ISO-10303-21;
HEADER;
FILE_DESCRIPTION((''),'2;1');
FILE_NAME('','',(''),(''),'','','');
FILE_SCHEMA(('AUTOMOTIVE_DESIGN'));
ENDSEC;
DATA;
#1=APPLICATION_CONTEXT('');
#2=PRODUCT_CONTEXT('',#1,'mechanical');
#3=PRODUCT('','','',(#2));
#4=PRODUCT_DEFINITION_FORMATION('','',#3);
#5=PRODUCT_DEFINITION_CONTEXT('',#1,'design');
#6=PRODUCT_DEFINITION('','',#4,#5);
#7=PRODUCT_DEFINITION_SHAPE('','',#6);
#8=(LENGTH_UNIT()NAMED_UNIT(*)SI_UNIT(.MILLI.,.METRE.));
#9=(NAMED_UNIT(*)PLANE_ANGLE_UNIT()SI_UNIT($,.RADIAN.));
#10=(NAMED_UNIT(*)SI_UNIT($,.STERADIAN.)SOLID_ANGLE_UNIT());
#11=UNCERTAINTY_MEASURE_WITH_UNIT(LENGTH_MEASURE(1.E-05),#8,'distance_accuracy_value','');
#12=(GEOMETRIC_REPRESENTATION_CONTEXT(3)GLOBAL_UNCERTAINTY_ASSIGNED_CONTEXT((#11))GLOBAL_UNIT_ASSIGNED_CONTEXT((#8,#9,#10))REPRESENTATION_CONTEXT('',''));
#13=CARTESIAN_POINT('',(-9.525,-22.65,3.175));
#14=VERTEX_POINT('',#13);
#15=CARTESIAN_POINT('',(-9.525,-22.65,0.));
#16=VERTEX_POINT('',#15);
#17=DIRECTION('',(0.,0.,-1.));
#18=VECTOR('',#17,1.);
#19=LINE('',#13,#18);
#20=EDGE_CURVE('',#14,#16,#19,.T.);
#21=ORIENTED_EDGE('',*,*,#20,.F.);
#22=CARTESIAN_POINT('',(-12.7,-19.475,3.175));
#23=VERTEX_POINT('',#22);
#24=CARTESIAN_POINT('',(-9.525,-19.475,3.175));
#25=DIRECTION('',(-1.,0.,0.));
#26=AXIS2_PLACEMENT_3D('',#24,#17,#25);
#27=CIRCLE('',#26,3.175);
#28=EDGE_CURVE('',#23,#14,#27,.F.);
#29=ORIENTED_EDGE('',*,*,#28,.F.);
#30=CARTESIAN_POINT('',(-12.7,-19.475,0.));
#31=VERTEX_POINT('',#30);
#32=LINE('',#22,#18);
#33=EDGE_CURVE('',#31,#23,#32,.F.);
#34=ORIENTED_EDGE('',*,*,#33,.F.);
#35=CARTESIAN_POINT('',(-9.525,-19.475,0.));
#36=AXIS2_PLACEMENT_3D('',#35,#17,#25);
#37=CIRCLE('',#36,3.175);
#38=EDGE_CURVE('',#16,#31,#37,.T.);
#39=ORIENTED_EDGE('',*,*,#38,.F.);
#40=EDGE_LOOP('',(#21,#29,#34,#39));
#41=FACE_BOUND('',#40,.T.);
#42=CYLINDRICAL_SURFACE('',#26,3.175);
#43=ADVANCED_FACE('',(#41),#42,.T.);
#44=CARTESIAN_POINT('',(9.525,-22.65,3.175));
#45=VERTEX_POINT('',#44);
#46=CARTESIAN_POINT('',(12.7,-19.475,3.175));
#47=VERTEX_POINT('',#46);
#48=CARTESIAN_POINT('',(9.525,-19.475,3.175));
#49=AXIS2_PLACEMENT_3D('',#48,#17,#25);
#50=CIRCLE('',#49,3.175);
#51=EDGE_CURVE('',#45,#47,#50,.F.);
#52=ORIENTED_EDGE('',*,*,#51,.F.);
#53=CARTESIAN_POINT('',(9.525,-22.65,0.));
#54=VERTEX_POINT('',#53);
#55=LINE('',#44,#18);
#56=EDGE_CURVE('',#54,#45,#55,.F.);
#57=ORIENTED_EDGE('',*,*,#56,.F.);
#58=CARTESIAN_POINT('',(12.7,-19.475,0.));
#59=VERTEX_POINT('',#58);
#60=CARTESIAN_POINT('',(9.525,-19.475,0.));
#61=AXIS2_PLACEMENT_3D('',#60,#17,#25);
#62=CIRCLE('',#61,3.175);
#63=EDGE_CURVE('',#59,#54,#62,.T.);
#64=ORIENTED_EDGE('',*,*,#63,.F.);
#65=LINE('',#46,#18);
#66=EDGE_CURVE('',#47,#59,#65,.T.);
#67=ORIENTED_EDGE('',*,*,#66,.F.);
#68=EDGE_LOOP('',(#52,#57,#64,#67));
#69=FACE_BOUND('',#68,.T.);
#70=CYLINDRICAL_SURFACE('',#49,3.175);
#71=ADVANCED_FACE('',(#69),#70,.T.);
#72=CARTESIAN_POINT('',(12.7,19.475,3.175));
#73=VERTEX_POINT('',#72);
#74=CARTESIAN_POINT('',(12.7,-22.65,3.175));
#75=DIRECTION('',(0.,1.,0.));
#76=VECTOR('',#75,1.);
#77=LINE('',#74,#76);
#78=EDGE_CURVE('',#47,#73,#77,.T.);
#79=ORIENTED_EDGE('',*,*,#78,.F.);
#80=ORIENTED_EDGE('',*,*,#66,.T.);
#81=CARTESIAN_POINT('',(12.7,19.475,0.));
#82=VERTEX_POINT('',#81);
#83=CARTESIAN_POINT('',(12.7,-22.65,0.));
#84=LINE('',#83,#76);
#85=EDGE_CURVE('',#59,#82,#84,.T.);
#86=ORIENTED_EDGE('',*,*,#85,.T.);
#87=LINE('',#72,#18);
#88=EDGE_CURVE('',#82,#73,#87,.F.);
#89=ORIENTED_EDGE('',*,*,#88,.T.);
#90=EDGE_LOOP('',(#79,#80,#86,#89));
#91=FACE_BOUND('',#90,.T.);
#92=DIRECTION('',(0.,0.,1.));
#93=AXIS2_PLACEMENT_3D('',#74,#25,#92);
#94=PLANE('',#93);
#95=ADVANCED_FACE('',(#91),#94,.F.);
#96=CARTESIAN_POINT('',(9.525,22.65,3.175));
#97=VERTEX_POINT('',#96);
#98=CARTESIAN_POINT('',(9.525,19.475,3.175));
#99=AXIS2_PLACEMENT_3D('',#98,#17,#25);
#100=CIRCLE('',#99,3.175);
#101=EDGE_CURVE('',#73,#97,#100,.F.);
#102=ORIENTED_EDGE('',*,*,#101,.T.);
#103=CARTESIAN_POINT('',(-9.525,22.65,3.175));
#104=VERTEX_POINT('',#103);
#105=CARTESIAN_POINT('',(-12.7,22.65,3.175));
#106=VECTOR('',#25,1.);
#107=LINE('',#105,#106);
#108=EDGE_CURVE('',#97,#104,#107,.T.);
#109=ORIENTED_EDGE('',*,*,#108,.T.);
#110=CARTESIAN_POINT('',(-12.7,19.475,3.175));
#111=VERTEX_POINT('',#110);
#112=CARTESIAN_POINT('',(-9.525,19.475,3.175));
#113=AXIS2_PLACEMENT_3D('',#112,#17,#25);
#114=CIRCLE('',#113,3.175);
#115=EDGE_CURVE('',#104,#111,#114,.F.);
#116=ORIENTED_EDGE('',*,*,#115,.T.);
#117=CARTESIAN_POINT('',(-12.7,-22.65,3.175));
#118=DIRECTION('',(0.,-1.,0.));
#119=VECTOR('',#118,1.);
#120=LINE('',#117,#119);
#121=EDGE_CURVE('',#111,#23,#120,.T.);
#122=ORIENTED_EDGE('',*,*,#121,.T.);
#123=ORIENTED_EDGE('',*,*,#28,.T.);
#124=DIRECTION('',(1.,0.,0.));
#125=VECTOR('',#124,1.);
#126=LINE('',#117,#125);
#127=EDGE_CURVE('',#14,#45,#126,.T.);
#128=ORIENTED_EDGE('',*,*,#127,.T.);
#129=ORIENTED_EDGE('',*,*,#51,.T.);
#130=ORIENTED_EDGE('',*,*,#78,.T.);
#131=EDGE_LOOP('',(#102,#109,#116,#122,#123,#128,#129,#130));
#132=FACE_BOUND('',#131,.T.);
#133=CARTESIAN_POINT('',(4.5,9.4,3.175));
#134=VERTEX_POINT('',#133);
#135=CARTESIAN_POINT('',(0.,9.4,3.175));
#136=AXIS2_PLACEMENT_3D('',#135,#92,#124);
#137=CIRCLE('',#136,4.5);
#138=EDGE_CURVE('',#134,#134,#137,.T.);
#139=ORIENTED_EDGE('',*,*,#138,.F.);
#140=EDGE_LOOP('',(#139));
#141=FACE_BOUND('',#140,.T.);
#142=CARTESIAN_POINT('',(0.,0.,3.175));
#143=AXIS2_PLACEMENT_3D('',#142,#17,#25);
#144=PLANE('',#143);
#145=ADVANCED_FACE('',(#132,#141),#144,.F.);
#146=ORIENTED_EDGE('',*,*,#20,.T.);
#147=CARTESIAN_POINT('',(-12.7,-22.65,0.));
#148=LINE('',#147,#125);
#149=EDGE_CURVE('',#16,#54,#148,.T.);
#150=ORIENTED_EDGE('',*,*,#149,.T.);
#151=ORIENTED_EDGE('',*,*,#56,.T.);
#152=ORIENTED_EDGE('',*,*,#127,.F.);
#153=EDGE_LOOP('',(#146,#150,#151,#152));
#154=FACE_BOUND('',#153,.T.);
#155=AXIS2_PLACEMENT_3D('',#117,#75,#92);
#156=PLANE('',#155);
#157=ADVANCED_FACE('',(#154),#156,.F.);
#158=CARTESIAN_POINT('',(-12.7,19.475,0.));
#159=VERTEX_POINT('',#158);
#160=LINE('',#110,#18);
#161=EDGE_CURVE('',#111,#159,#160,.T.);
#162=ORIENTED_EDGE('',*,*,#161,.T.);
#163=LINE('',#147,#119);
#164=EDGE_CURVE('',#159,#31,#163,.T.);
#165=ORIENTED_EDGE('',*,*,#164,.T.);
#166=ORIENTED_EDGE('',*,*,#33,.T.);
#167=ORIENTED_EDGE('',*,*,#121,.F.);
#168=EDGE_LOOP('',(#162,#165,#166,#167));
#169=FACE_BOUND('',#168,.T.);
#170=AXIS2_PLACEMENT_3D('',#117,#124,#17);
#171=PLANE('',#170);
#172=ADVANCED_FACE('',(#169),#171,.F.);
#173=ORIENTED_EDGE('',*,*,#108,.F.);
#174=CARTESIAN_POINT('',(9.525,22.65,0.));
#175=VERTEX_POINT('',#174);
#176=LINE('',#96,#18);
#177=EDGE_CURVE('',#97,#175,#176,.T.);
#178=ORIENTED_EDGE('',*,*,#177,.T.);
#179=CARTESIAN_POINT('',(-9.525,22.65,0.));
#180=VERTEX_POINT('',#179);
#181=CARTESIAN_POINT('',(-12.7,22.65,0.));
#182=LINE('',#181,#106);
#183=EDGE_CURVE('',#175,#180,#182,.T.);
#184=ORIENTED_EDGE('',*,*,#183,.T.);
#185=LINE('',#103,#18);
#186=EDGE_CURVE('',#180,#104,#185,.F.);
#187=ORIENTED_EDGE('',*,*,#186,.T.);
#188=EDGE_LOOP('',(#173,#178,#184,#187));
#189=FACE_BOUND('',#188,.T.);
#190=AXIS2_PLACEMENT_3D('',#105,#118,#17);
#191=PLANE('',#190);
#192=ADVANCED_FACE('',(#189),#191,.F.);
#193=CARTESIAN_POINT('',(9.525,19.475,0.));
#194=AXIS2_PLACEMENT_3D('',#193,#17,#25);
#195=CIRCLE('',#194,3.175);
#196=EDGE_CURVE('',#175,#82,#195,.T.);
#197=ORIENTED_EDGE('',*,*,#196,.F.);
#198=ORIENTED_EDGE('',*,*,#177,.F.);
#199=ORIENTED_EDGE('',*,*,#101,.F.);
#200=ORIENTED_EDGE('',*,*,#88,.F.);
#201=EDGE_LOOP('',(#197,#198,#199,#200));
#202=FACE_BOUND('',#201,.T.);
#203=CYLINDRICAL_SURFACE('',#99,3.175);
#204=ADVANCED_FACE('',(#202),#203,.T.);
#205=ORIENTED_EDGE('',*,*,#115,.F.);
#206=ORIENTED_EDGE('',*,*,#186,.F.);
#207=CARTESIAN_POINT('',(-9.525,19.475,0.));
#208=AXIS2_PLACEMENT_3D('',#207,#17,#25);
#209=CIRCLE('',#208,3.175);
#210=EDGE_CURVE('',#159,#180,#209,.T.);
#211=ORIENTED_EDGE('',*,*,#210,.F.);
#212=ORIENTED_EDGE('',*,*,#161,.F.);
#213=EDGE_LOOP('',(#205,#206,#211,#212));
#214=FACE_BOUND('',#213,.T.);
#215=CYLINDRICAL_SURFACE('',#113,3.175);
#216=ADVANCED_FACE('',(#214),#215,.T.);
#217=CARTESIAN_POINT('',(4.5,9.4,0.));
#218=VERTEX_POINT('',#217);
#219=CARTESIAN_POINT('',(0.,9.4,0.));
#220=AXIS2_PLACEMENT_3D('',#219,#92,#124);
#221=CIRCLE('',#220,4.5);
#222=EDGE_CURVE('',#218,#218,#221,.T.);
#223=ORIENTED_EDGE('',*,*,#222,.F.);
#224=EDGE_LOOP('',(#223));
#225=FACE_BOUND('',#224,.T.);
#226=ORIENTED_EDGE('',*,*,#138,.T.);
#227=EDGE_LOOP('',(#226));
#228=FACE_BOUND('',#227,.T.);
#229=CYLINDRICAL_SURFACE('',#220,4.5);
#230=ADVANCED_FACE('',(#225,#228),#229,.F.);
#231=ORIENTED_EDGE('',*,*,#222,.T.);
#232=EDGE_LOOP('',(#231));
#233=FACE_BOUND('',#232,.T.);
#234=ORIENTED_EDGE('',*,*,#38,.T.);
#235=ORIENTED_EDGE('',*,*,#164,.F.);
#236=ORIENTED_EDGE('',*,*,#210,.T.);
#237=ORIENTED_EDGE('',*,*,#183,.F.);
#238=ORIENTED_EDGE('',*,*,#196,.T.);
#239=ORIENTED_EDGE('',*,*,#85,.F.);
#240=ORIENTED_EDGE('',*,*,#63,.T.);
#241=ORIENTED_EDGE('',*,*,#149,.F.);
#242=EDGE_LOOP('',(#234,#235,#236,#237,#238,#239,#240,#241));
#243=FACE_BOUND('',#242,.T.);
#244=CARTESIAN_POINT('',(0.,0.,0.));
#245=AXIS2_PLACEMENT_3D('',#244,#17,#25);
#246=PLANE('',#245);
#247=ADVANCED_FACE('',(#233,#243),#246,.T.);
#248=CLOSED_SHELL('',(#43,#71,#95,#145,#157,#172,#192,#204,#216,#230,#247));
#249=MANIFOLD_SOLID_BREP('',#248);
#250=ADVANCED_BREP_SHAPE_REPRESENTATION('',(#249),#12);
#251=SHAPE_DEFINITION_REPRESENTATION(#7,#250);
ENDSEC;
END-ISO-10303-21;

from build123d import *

# Parameters (mm, degrees)
SKETCH1_W           = 25.4
SKETCH1_H           = 45.3
BOSS_EXTRUDE1_DEPTH = 3.175
SKETCH2_R           = 4.5
CUT_EXTRUDE1_DEPTH  = 27.160908337
FILLET1_R           = 3.175


with BuildPart() as part:
    # Sketch1 → Boss-Extrude1 (new body)
    with BuildSketch(Plane.XY):
        Rectangle(SKETCH1_W, SKETCH1_H)
    extrude(amount=BOSS_EXTRUDE1_DEPTH)

    # Sketch2 → Cut-Extrude1 (cut, through all)
    with BuildSketch(Plane.XY.offset(3.175)):
        with Locations((0, 9.4)):
            Circle(SKETCH2_R)
    extrude(amount=-CUT_EXTRUDE1_DEPTH, mode=Mode.SUBTRACT)

    # Fillet1
    fillet1_edges = [part.edges().sort_by_distance(p)[0] for p in [
        (12.7, -22.65, 1.5875),
        (-12.7, -22.65, 1.5875),
        (-12.7, 22.65, 1.5875),
        (12.7, 22.65, 1.5875),
    ]]
    fillet(fillet1_edges, radius=FILLET1_R)


solid = part.part
